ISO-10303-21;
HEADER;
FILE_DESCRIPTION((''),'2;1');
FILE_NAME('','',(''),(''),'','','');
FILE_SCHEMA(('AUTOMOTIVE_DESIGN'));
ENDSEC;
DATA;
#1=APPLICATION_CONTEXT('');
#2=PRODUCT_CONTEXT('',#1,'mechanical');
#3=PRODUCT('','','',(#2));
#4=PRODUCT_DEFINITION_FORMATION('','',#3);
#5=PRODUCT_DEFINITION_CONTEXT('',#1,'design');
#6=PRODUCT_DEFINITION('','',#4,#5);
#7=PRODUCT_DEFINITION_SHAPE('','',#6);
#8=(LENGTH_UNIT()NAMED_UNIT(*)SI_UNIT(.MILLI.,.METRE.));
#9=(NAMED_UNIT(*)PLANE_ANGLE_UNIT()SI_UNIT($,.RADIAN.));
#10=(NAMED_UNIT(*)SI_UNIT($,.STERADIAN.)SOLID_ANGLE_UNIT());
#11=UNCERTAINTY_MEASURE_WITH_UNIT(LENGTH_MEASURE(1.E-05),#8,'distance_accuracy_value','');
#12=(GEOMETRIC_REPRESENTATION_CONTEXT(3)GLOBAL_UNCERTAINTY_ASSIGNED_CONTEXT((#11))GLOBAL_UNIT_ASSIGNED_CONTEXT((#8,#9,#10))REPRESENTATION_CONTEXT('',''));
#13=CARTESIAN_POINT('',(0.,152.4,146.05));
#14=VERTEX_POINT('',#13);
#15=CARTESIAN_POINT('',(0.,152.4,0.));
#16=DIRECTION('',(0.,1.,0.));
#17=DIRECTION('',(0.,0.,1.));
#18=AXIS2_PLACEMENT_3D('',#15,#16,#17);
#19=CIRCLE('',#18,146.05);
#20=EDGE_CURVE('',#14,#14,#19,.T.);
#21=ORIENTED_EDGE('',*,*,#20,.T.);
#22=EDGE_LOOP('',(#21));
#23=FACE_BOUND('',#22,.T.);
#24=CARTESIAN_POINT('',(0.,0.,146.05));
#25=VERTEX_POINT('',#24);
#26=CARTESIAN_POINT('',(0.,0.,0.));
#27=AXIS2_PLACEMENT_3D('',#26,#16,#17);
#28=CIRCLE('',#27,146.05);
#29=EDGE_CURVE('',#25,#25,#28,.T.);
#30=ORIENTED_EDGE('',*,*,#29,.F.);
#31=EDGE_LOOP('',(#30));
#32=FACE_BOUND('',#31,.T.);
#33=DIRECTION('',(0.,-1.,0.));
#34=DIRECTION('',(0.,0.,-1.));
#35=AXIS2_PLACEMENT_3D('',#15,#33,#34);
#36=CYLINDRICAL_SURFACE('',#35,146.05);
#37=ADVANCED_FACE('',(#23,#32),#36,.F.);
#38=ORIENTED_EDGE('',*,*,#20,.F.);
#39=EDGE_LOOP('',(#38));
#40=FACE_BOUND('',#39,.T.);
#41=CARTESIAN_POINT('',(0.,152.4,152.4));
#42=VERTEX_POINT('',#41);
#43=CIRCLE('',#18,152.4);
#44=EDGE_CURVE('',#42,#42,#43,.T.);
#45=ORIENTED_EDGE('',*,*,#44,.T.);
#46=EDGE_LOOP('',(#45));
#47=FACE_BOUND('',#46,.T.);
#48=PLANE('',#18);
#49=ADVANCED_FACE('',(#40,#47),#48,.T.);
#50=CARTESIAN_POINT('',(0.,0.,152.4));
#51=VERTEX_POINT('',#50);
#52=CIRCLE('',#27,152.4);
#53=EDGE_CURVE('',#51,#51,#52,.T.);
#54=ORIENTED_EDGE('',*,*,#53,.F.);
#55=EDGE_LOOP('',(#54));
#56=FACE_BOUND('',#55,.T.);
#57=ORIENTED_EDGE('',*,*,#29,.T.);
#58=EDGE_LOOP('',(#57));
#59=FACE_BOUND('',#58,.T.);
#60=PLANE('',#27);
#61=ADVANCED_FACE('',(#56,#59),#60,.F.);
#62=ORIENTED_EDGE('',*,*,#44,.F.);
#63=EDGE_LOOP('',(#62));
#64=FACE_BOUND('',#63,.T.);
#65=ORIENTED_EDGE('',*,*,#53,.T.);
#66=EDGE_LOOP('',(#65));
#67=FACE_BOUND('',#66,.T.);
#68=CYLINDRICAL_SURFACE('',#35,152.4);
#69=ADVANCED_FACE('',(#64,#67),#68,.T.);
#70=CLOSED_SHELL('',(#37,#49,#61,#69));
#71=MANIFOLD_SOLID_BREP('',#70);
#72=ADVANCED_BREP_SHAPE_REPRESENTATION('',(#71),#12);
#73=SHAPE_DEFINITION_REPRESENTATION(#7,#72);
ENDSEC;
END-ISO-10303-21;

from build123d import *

# Parameters (mm, degrees)
SKETCH1_R           = 152.4
SKETCH1_R_2         = 146.05
BOSS_EXTRUDE1_DEPTH = 152.4


with BuildPart() as part:
    # Sketch1 → Boss-Extrude1 (new body)
    with BuildSketch(Plane(origin=(0, 0, 0), x_dir=(1, 0, 0), z_dir=(0, 1, 0))):
        Circle(SKETCH1_R)
        Circle(SKETCH1_R_2, mode=Mode.SUBTRACT)
    extrude(amount=BOSS_EXTRUDE1_DEPTH)


solid = part.part
